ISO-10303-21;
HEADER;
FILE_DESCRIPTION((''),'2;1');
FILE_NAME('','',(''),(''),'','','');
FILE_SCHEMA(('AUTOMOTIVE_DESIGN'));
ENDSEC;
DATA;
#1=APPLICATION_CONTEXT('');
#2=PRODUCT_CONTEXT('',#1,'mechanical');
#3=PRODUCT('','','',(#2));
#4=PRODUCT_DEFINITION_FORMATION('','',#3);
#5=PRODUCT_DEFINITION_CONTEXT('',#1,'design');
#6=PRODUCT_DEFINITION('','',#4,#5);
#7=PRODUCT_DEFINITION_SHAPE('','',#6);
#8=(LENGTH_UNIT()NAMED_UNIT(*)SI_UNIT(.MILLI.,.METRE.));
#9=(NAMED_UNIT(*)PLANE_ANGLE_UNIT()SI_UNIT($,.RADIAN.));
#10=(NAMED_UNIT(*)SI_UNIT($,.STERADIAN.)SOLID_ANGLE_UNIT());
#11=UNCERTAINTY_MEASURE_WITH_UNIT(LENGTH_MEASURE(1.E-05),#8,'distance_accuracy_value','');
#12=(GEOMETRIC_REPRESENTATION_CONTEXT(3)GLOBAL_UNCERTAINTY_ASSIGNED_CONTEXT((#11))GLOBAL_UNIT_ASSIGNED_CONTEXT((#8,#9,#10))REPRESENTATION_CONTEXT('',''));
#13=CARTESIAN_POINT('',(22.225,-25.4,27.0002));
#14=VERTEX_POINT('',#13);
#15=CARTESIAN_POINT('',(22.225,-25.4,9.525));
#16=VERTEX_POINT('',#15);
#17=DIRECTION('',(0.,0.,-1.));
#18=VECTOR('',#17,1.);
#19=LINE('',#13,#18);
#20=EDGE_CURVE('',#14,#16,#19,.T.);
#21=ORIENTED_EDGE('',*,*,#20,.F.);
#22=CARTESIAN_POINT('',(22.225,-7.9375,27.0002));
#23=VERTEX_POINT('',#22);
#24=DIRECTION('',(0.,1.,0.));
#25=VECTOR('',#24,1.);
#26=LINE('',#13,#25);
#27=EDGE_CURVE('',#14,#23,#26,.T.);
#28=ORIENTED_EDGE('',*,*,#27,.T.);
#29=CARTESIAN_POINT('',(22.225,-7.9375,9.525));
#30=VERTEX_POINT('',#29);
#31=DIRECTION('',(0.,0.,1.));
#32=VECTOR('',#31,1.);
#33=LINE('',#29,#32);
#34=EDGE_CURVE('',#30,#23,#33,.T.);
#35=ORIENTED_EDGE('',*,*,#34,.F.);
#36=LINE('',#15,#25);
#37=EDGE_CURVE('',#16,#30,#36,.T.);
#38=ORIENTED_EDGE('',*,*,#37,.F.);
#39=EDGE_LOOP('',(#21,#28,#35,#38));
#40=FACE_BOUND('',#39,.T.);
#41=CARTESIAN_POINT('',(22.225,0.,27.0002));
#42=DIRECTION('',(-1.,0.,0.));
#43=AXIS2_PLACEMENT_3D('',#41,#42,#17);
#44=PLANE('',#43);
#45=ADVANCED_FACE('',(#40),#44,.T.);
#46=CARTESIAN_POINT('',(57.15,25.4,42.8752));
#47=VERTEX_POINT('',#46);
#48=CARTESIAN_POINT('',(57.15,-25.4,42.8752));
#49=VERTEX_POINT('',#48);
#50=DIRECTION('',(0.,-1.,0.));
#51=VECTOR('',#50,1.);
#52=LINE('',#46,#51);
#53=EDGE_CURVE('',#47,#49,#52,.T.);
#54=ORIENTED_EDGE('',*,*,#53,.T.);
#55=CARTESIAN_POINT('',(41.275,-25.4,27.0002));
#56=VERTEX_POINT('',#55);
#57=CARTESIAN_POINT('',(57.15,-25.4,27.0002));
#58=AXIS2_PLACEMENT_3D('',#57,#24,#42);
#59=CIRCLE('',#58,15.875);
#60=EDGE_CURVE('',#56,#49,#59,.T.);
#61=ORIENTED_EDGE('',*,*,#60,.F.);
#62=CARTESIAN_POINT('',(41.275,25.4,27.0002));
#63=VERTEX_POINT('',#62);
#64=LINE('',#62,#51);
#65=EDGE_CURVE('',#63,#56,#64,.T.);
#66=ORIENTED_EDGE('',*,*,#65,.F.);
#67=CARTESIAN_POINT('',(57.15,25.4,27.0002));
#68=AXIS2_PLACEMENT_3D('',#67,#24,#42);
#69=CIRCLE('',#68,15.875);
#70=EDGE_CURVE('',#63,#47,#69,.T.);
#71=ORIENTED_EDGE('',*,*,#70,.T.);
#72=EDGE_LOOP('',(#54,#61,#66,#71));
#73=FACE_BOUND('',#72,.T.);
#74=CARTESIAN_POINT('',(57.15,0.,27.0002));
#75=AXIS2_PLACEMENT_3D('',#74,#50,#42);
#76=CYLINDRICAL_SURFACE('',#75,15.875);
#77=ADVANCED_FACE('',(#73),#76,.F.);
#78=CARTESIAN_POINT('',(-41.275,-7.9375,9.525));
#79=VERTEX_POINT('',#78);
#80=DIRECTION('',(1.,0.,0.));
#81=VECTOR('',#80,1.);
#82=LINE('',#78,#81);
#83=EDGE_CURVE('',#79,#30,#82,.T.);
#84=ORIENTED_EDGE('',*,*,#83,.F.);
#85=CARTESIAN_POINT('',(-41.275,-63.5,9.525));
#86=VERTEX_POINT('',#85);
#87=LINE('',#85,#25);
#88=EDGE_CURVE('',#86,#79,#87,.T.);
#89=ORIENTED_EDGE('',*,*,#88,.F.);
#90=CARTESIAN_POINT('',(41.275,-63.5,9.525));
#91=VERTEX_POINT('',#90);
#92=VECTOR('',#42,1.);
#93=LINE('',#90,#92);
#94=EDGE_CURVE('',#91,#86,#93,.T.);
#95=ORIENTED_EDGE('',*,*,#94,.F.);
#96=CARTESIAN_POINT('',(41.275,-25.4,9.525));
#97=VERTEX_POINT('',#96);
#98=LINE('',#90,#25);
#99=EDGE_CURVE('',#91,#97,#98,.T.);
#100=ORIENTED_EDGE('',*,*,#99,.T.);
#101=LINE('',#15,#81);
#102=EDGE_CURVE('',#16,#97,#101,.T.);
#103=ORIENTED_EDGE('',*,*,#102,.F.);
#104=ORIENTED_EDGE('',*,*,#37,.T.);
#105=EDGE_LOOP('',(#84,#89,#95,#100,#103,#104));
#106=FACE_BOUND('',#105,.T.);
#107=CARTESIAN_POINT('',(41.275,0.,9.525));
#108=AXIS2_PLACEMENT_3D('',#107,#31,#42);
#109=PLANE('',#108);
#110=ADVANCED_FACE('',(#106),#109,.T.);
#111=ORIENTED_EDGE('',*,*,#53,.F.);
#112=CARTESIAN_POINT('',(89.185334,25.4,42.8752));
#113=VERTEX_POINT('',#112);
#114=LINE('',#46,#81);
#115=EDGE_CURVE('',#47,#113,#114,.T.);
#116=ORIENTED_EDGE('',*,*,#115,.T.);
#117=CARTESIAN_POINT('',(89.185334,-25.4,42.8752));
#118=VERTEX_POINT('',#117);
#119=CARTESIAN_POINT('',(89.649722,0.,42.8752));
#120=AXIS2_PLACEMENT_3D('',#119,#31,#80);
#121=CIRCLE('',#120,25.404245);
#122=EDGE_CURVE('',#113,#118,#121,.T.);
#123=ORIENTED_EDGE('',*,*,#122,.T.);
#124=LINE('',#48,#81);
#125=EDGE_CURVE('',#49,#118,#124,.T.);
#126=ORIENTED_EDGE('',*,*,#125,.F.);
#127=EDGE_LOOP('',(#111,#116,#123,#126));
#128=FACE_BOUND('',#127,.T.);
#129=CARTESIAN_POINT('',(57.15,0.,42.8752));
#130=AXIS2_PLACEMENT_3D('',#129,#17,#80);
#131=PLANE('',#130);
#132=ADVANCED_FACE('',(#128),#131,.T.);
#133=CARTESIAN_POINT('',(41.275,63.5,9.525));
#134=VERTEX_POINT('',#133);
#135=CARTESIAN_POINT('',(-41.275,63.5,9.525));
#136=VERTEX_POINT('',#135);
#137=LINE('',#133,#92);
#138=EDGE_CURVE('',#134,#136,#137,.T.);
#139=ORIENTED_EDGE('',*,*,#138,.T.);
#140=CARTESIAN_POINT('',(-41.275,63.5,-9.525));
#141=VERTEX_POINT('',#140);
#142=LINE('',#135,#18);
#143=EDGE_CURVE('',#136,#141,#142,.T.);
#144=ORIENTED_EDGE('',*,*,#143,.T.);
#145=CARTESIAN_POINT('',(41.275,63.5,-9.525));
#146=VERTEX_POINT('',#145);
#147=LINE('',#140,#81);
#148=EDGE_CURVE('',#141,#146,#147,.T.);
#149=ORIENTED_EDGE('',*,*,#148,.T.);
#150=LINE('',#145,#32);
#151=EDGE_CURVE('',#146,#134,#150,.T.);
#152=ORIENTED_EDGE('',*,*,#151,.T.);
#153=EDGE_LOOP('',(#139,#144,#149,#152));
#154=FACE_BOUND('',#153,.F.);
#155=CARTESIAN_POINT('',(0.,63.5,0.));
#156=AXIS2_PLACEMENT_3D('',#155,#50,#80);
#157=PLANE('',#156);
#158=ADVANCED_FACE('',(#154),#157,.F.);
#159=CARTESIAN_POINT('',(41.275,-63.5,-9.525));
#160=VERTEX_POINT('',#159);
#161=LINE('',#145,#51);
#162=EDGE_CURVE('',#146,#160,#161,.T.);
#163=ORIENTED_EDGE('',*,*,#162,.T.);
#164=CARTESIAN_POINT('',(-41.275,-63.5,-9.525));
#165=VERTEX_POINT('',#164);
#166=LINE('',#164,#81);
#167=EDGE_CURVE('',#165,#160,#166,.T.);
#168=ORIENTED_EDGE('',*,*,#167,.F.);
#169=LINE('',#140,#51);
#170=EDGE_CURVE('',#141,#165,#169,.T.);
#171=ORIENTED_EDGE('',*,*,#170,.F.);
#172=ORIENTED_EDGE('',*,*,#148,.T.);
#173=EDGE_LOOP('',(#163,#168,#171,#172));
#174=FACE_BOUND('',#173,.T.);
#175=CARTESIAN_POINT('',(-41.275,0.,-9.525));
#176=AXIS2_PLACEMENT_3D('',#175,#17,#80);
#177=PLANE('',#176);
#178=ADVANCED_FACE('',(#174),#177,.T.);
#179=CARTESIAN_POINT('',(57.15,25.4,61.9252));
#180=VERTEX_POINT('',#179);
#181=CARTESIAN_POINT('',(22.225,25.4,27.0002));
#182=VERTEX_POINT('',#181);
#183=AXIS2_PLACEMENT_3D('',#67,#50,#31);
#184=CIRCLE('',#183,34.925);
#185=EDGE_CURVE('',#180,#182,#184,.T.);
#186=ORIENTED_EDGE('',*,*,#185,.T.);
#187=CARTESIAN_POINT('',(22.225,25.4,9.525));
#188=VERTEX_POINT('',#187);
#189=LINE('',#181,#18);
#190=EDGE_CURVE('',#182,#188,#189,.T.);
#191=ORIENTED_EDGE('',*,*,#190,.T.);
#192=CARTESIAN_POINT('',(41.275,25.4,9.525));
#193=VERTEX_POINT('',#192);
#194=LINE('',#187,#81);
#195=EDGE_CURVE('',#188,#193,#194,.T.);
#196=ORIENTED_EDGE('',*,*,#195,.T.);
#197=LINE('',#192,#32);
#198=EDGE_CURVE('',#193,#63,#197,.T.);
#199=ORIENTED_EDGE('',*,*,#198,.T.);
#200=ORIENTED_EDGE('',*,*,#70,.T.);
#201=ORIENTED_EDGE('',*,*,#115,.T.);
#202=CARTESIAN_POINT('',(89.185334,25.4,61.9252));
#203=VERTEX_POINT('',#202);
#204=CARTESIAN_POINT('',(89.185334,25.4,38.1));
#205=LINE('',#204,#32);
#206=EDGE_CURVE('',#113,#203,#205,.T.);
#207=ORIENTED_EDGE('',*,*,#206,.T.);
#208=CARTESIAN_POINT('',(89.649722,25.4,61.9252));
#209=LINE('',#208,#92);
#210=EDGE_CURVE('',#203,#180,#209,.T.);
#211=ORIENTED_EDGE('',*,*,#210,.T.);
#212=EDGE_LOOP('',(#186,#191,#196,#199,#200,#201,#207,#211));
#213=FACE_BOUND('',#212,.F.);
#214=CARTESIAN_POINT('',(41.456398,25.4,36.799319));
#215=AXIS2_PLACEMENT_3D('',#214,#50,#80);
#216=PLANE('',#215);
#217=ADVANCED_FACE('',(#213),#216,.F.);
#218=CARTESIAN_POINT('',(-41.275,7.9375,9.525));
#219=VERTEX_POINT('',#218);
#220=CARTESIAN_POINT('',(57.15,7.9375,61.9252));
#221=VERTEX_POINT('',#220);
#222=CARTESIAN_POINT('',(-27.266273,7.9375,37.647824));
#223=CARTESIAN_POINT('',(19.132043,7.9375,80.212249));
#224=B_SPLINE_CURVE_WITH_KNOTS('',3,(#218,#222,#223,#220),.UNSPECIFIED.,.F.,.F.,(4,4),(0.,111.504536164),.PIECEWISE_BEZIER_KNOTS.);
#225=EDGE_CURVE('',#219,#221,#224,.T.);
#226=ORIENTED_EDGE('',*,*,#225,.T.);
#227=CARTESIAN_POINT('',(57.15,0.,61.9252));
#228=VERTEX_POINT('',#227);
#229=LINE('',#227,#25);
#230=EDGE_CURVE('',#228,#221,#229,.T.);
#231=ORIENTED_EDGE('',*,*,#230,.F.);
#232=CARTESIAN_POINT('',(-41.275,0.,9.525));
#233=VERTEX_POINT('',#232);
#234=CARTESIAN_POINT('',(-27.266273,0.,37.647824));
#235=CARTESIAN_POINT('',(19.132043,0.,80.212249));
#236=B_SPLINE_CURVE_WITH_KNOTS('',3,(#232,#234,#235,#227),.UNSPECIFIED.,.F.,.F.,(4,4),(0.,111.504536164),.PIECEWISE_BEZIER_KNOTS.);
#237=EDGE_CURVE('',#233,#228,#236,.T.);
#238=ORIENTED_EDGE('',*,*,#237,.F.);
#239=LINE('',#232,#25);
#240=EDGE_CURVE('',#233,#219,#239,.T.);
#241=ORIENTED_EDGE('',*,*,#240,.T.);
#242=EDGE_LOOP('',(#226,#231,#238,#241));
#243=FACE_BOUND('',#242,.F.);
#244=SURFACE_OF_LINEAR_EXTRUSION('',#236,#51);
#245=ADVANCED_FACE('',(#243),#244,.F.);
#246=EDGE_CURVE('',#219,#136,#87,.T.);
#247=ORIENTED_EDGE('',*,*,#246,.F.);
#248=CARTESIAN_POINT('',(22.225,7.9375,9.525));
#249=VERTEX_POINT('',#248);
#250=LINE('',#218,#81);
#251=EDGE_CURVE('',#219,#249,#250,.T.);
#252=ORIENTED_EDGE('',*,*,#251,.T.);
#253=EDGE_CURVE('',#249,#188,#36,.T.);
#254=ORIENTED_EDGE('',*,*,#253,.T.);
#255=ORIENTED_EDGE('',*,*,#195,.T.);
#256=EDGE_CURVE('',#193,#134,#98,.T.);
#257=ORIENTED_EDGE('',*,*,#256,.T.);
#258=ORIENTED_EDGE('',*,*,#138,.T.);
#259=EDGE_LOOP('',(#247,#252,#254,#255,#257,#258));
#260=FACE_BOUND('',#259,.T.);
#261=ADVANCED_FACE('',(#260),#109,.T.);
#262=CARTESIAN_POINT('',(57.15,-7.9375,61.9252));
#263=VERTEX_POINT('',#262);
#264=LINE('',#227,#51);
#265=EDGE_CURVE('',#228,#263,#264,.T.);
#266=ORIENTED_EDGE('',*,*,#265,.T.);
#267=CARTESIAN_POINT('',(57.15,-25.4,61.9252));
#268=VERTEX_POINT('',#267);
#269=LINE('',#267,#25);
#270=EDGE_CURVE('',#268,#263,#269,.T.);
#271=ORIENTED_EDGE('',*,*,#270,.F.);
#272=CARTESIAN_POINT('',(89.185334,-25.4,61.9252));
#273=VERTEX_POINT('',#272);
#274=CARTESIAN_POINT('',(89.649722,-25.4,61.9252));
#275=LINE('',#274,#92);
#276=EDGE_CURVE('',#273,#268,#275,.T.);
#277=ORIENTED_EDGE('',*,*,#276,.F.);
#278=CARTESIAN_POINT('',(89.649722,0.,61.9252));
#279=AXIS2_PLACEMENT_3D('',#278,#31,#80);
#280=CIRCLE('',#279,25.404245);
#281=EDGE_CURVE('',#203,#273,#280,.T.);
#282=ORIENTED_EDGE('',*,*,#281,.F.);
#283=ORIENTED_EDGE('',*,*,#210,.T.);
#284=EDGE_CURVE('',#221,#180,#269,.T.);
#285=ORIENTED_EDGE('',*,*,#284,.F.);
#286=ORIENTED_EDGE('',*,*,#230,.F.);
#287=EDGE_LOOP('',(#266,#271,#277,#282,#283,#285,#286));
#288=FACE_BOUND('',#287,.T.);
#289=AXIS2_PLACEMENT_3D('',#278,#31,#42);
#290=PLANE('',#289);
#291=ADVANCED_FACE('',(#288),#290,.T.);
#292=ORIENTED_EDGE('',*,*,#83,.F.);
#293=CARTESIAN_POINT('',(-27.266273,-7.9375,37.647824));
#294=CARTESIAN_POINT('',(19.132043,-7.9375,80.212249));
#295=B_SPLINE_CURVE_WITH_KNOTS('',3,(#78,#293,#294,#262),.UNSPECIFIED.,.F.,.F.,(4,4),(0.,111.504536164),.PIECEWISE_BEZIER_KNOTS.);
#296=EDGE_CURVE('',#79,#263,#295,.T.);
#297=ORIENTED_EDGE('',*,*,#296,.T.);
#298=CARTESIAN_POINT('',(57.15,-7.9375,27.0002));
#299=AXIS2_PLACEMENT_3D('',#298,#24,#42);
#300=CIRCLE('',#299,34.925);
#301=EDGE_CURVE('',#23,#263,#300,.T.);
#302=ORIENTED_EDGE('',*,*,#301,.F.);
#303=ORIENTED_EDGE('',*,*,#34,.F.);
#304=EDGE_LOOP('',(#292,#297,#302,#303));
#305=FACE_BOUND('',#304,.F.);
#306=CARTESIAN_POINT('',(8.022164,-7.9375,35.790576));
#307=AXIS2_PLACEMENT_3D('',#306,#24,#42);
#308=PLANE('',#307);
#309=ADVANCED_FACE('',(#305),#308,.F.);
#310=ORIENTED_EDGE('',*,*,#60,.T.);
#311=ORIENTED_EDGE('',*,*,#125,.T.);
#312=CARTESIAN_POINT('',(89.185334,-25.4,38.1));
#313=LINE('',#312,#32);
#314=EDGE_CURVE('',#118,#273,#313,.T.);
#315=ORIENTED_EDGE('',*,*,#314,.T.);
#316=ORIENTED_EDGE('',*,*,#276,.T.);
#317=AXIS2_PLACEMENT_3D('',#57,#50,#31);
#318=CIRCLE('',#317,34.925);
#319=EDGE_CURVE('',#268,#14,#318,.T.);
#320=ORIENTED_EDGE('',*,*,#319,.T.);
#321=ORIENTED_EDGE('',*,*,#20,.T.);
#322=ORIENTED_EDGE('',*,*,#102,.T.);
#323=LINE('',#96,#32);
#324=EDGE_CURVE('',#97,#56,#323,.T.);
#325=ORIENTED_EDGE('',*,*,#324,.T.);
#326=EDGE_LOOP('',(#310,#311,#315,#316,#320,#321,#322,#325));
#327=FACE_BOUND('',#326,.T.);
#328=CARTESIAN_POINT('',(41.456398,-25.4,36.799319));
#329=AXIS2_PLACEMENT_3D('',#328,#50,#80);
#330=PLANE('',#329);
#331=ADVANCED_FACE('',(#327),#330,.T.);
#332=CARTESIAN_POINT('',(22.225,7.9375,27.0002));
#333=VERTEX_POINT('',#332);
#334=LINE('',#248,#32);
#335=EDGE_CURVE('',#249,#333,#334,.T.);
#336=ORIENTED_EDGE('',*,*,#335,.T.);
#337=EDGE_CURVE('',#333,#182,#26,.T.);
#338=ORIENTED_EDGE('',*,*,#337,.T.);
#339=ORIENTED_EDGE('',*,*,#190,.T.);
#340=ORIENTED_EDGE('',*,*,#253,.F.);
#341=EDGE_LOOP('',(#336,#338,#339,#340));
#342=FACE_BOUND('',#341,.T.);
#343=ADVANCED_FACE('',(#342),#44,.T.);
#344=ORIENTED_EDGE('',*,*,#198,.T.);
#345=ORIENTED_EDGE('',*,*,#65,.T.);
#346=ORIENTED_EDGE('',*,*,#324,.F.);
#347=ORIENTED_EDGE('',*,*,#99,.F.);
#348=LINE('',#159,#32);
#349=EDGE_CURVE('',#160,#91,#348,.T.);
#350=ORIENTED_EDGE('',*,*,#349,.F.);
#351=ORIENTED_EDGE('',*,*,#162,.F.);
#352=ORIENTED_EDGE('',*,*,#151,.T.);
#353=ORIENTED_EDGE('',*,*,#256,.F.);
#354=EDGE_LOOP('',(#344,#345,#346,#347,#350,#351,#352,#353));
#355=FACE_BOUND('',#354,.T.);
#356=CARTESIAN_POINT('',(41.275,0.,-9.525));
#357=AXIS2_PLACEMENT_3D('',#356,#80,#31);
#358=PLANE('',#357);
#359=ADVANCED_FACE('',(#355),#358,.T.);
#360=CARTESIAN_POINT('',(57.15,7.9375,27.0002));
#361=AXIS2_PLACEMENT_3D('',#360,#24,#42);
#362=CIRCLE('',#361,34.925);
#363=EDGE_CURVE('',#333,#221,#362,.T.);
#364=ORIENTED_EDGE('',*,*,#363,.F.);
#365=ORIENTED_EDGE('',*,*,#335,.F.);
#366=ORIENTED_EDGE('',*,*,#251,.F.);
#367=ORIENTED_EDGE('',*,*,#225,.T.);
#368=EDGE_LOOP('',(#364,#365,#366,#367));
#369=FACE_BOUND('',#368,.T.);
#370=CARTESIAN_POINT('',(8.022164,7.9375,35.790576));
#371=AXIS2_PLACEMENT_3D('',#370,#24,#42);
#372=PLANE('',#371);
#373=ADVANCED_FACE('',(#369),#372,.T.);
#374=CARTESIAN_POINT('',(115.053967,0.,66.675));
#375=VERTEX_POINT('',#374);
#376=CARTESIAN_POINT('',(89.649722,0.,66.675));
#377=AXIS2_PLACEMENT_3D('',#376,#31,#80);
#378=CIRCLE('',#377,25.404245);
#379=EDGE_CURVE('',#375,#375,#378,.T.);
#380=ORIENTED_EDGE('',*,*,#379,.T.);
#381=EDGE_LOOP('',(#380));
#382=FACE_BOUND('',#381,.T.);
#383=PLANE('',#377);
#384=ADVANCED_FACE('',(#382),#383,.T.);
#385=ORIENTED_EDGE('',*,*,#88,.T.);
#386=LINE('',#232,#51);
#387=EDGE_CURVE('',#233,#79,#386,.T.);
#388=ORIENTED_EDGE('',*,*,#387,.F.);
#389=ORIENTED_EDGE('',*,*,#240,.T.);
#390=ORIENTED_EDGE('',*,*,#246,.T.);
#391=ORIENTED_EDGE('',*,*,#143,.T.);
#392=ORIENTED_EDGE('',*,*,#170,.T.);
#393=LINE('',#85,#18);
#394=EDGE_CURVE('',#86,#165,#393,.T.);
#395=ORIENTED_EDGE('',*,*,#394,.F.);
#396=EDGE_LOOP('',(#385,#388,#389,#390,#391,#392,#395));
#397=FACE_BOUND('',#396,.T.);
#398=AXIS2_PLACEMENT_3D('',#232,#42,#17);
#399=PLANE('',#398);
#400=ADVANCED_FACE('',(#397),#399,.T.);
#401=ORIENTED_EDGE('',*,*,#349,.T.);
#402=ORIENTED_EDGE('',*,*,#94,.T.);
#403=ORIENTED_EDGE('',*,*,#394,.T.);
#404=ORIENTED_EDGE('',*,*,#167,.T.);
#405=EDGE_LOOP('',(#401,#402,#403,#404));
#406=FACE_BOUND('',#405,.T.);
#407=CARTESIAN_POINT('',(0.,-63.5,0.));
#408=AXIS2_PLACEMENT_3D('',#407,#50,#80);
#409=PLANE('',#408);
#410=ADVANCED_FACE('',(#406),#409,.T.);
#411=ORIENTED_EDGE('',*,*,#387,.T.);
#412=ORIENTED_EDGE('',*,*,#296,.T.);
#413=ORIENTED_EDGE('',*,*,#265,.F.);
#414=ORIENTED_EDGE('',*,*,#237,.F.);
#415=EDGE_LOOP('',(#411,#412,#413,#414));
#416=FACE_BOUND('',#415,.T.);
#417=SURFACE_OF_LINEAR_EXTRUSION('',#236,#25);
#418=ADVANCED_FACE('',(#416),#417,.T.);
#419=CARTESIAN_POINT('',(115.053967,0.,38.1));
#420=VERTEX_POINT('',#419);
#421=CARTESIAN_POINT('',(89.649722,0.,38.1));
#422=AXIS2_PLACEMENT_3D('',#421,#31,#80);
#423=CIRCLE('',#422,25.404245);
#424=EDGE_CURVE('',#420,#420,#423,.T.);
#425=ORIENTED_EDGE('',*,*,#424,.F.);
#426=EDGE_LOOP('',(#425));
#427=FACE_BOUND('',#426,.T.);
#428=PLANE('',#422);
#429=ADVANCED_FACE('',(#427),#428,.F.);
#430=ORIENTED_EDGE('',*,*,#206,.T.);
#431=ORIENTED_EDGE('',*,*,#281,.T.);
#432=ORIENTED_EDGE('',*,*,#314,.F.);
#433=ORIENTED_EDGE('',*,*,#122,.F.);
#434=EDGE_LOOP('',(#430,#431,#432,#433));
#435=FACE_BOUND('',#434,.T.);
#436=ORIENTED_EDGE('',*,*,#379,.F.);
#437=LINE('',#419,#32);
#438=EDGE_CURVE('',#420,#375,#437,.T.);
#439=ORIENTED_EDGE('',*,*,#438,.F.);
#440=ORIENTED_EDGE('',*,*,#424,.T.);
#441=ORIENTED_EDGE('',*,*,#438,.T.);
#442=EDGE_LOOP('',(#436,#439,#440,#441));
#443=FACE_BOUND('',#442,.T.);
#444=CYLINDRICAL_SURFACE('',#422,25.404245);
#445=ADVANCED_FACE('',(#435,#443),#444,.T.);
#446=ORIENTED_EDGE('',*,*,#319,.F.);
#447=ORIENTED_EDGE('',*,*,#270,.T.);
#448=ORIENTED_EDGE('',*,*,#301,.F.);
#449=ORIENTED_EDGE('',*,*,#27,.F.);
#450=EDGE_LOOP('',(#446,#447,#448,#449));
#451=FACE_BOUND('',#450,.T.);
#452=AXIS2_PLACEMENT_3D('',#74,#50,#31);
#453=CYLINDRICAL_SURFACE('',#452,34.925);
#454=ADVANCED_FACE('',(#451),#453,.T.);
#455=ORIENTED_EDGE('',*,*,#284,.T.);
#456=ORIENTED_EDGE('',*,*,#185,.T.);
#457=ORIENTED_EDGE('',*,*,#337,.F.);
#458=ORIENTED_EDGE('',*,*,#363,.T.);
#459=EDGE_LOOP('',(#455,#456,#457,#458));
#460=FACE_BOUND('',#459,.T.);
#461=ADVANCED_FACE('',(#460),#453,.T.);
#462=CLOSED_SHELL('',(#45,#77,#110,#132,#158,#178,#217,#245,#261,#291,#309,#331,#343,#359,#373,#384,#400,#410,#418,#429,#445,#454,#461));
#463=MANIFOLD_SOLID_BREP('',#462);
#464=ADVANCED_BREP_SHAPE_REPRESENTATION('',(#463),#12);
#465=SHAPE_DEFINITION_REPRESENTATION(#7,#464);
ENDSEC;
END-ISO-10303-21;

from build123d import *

# Parameters (mm, degrees)
F1_DEPTH = 63.5
F0_W     = 25.3957551599
F0_H     = 19.05
F2_DEPTH = 25.4
F3_DEPTH = 7.9375


with BuildPart() as f1:
    # F0 (on Front) → F1 (new body, symmetric)
    with BuildSketch(Plane.XZ):
        Polygon((-41.275, 9.525), (-41.275, -9.525), (41.275, -9.525), (41.275, 9.525), (22.225, 9.525), align=None)
    extrude(amount=F1_DEPTH, both=True)

    # F0 (on Front) → F2 (join, symmetric)
    with BuildSketch(Plane.XZ):
        with BuildLine():
            Line((22.225, 9.525), (41.275, 9.525))
            Line((41.275, 9.525), (41.275, 27.0002))
            ThreePointArc((41.275, 27.0002), (45.9246798487, 38.2255201513), (57.15, 42.8752))
            Line((57.15, 42.8752), (64.2539668202, 42.8752))
            Line((64.2539668202, 42.8752), (64.2539668202, 61.9252))
            Line((64.2539668202, 61.9252), (57.15, 61.9252))
            ThreePointArc((57.15, 61.9252), (32.4542956671, 51.6959043329), (22.225, 27.0002))
            Line((22.225, 27.0002), (22.225, 9.525))
        make_face()
        with Locations((76.9518444002, 52.4002)):
            Rectangle(F0_W, F0_H)
    extrude(amount=F2_DEPTH, both=True)

    # F0 (on Front) → F3 (join, symmetric)
    with BuildSketch(Plane.XZ):
        with BuildLine():
            add(Edge.make_bspline(
                [(-41.275, 9.525), (-27.2662733646, 37.6478243732), (19.1320432894, 80.2122490874), (57.15, 61.9252)],
                knots=[0, 0, 0, 0, 111.5045361635, 111.5045361635, 111.5045361635, 111.5045361635], degree=3))
            Line((-41.275, 9.525), (22.225, 9.525))
            Line((22.225, 9.525), (22.225, 27.0002))
            ThreePointArc((22.225, 27.0002), (32.4542956671, 51.6959043329), (57.15, 61.9252))
        make_face()
    extrude(amount=F3_DEPTH, both=True)

    # F0 (on Front) → F4 (revolve)
    with BuildSketch(Plane.XZ):
        Polygon((89.6497219801, 66.675), (89.6497219801, 61.9252), (89.6497219801, 42.8752), (89.6497219801, 38.1), (115.0539668202, 38.1), (115.0539668202, 66.675), align=None)
    revolve(axis=Axis((89.6497219801, 0, 52.3875), (0, 0, 1)))


solid = f1.part
